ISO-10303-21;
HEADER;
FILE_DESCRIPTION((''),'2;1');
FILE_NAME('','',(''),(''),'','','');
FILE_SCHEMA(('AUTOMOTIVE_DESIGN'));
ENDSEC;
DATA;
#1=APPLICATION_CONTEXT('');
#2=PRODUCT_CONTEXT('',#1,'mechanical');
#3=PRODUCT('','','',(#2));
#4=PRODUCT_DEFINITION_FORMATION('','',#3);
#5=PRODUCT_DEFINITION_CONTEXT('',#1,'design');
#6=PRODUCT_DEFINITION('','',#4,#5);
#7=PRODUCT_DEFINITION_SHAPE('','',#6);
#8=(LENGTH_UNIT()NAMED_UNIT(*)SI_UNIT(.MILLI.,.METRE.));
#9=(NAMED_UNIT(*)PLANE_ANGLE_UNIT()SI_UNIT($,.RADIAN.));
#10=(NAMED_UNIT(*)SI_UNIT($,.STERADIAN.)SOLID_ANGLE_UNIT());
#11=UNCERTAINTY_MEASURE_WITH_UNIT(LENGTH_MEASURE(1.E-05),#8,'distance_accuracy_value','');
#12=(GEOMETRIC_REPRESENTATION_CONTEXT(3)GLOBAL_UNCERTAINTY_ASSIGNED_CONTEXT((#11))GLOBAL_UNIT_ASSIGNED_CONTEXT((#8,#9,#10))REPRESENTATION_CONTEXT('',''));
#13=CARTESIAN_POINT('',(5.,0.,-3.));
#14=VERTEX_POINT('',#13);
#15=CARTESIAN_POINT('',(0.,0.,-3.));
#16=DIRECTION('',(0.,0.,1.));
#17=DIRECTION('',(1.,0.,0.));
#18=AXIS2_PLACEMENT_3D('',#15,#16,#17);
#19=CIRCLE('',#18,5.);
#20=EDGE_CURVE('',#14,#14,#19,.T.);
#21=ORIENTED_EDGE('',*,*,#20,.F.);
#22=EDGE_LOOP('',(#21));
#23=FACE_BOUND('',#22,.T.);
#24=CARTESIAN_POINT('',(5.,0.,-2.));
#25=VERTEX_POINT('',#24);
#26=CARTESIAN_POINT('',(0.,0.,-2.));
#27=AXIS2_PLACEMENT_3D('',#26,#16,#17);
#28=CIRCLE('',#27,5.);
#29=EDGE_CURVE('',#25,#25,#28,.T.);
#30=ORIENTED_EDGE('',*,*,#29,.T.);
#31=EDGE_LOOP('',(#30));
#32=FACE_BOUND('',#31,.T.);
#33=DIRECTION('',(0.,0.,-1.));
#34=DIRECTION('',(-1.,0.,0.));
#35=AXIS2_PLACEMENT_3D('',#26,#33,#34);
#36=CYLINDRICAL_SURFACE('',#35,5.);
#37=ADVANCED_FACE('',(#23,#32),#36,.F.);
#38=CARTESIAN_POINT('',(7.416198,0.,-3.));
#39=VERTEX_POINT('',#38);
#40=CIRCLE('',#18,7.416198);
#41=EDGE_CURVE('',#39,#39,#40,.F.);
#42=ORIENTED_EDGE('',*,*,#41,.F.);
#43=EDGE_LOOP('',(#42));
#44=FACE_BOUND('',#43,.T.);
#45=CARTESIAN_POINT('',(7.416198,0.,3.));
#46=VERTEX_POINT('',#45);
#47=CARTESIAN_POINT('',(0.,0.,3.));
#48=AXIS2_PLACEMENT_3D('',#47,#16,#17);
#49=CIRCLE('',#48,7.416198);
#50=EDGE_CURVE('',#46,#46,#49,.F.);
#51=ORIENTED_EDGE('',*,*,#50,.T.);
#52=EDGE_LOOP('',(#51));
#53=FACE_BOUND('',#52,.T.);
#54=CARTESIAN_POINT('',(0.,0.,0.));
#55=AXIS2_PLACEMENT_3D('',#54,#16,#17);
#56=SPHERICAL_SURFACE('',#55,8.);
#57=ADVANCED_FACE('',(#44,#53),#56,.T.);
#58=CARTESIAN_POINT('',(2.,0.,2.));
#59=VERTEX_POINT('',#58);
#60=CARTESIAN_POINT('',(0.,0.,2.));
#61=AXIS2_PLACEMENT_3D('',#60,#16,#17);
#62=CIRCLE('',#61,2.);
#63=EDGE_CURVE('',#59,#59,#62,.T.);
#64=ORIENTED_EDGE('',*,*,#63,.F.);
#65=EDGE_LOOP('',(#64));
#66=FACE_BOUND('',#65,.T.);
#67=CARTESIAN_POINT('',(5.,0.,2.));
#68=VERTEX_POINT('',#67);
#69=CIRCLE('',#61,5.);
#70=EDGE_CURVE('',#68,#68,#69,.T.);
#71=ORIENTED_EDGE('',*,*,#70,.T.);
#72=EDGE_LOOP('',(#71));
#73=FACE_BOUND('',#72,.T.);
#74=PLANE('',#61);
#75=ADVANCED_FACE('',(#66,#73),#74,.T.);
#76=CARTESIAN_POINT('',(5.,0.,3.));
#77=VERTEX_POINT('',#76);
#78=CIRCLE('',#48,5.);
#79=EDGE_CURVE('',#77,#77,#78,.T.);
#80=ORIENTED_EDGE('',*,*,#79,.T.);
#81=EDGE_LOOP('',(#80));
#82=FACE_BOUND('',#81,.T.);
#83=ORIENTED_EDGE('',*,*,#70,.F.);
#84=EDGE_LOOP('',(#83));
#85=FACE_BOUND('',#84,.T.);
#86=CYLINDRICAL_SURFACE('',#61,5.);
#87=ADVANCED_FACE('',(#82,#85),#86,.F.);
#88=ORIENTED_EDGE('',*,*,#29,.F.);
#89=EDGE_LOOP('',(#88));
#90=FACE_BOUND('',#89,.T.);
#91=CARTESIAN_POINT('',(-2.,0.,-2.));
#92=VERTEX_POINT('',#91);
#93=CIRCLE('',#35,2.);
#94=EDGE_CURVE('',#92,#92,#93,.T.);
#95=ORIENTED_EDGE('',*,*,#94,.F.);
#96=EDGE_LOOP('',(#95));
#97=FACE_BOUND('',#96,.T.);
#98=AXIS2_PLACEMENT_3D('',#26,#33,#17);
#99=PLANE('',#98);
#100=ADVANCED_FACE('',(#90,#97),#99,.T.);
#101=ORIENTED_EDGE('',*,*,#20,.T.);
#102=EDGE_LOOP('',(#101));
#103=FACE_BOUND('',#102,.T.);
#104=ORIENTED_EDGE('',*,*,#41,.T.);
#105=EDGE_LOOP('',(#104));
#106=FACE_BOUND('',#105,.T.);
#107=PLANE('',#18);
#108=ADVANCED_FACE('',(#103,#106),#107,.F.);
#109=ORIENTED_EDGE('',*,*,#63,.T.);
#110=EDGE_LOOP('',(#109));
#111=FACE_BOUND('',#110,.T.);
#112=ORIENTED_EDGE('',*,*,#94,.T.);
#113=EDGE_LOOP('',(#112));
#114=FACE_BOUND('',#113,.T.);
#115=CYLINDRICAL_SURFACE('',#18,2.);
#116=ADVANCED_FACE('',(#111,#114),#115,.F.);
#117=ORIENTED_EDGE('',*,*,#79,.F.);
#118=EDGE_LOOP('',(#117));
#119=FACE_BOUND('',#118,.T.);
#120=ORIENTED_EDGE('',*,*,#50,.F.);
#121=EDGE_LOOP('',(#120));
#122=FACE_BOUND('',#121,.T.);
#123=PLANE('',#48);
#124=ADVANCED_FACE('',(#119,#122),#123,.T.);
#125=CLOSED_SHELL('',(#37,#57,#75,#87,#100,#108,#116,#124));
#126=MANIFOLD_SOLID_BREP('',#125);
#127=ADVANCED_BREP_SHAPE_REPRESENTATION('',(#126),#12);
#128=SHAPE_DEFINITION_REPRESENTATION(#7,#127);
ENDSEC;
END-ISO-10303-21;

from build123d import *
from build123d.topology import SkipClean

# Parameters (mm, degrees)
CUT_EXTRUDE_START   = 3
SKETCH_2_R          = 9.058655207
CUT_EXTRUDE_1_DEPTH = 10
CUT_EXTRUDE_START_2 = -3
SKETCH_2_2_R        = 9.058655207
CUT_EXTRUDE_2_DEPTH = 10
SKETCH_3_R          = 5
CUT_EXTRUDE_3_DEPTH = 1
SKETCH_4_R          = 2
CUT_EXTRUDE_4_DEPTH = 5


with BuildPart() as part:
    # 草图1 → 旋转3 (revolve)
    with SkipClean():  # the faces are left unmerged after this step: merging them gives an invalid solid
        with BuildSketch(Plane.XY):
            with BuildLine():
                ThreePointArc((8, 0), (5.656854249, 5.656854249), (0, 8))
                Line((0, 8), (0, -8))
                ThreePointArc((0, -8), (5.656854249, -5.656854249), (8, 0))
            make_face()
            with BuildLine():
                Line((0, -8), (0, 8))
                ThreePointArc((0, 8), (-8, 0), (0, -8))
            make_face()
        revolve(axis=Axis((0, 8, 0), (0, -1, 0)))

    # 草图2 → 切除-拉伸1 (cut)
    with SkipClean():  # the faces are left unmerged after this step: merging them gives an invalid solid
        with BuildSketch(Plane.XY.offset(CUT_EXTRUDE_START)):
            Circle(SKETCH_2_R)
        extrude(amount=CUT_EXTRUDE_1_DEPTH, mode=Mode.SUBTRACT)

    # 草图2<2> → 切除-拉伸2 (cut)
    with SkipClean():  # the faces are left unmerged after this step: merging them gives an invalid solid
        with BuildSketch(Plane.XY.offset(CUT_EXTRUDE_START_2)):
            Circle(SKETCH_2_2_R)
        extrude(amount=-CUT_EXTRUDE_2_DEPTH, mode=Mode.SUBTRACT)

    # 草图3 → 切除-拉伸3 (cut)
    with SkipClean():  # the faces are left unmerged after this step: merging them gives an invalid solid
        with BuildSketch(Plane.XY.offset(3)):
            Circle(SKETCH_3_R)
        cut_extrude_3 = extrude(amount=-CUT_EXTRUDE_3_DEPTH, mode=Mode.SUBTRACT)

    # 镜向1: 切除-拉伸3 across plane
    with SkipClean():  # the faces are left unmerged after this step: merging them gives an invalid solid
        add(cut_extrude_3.mirror(Plane.XY), mode=Mode.SUBTRACT)

    # 草图4 → 切除-拉伸4 (cut)
    with SkipClean():  # the faces are left unmerged after this step: merging them gives an invalid solid
        with BuildSketch(Plane.XY.offset(2)):
            Circle(SKETCH_4_R)
        extrude(amount=-CUT_EXTRUDE_4_DEPTH, mode=Mode.SUBTRACT)


solid = part.part
